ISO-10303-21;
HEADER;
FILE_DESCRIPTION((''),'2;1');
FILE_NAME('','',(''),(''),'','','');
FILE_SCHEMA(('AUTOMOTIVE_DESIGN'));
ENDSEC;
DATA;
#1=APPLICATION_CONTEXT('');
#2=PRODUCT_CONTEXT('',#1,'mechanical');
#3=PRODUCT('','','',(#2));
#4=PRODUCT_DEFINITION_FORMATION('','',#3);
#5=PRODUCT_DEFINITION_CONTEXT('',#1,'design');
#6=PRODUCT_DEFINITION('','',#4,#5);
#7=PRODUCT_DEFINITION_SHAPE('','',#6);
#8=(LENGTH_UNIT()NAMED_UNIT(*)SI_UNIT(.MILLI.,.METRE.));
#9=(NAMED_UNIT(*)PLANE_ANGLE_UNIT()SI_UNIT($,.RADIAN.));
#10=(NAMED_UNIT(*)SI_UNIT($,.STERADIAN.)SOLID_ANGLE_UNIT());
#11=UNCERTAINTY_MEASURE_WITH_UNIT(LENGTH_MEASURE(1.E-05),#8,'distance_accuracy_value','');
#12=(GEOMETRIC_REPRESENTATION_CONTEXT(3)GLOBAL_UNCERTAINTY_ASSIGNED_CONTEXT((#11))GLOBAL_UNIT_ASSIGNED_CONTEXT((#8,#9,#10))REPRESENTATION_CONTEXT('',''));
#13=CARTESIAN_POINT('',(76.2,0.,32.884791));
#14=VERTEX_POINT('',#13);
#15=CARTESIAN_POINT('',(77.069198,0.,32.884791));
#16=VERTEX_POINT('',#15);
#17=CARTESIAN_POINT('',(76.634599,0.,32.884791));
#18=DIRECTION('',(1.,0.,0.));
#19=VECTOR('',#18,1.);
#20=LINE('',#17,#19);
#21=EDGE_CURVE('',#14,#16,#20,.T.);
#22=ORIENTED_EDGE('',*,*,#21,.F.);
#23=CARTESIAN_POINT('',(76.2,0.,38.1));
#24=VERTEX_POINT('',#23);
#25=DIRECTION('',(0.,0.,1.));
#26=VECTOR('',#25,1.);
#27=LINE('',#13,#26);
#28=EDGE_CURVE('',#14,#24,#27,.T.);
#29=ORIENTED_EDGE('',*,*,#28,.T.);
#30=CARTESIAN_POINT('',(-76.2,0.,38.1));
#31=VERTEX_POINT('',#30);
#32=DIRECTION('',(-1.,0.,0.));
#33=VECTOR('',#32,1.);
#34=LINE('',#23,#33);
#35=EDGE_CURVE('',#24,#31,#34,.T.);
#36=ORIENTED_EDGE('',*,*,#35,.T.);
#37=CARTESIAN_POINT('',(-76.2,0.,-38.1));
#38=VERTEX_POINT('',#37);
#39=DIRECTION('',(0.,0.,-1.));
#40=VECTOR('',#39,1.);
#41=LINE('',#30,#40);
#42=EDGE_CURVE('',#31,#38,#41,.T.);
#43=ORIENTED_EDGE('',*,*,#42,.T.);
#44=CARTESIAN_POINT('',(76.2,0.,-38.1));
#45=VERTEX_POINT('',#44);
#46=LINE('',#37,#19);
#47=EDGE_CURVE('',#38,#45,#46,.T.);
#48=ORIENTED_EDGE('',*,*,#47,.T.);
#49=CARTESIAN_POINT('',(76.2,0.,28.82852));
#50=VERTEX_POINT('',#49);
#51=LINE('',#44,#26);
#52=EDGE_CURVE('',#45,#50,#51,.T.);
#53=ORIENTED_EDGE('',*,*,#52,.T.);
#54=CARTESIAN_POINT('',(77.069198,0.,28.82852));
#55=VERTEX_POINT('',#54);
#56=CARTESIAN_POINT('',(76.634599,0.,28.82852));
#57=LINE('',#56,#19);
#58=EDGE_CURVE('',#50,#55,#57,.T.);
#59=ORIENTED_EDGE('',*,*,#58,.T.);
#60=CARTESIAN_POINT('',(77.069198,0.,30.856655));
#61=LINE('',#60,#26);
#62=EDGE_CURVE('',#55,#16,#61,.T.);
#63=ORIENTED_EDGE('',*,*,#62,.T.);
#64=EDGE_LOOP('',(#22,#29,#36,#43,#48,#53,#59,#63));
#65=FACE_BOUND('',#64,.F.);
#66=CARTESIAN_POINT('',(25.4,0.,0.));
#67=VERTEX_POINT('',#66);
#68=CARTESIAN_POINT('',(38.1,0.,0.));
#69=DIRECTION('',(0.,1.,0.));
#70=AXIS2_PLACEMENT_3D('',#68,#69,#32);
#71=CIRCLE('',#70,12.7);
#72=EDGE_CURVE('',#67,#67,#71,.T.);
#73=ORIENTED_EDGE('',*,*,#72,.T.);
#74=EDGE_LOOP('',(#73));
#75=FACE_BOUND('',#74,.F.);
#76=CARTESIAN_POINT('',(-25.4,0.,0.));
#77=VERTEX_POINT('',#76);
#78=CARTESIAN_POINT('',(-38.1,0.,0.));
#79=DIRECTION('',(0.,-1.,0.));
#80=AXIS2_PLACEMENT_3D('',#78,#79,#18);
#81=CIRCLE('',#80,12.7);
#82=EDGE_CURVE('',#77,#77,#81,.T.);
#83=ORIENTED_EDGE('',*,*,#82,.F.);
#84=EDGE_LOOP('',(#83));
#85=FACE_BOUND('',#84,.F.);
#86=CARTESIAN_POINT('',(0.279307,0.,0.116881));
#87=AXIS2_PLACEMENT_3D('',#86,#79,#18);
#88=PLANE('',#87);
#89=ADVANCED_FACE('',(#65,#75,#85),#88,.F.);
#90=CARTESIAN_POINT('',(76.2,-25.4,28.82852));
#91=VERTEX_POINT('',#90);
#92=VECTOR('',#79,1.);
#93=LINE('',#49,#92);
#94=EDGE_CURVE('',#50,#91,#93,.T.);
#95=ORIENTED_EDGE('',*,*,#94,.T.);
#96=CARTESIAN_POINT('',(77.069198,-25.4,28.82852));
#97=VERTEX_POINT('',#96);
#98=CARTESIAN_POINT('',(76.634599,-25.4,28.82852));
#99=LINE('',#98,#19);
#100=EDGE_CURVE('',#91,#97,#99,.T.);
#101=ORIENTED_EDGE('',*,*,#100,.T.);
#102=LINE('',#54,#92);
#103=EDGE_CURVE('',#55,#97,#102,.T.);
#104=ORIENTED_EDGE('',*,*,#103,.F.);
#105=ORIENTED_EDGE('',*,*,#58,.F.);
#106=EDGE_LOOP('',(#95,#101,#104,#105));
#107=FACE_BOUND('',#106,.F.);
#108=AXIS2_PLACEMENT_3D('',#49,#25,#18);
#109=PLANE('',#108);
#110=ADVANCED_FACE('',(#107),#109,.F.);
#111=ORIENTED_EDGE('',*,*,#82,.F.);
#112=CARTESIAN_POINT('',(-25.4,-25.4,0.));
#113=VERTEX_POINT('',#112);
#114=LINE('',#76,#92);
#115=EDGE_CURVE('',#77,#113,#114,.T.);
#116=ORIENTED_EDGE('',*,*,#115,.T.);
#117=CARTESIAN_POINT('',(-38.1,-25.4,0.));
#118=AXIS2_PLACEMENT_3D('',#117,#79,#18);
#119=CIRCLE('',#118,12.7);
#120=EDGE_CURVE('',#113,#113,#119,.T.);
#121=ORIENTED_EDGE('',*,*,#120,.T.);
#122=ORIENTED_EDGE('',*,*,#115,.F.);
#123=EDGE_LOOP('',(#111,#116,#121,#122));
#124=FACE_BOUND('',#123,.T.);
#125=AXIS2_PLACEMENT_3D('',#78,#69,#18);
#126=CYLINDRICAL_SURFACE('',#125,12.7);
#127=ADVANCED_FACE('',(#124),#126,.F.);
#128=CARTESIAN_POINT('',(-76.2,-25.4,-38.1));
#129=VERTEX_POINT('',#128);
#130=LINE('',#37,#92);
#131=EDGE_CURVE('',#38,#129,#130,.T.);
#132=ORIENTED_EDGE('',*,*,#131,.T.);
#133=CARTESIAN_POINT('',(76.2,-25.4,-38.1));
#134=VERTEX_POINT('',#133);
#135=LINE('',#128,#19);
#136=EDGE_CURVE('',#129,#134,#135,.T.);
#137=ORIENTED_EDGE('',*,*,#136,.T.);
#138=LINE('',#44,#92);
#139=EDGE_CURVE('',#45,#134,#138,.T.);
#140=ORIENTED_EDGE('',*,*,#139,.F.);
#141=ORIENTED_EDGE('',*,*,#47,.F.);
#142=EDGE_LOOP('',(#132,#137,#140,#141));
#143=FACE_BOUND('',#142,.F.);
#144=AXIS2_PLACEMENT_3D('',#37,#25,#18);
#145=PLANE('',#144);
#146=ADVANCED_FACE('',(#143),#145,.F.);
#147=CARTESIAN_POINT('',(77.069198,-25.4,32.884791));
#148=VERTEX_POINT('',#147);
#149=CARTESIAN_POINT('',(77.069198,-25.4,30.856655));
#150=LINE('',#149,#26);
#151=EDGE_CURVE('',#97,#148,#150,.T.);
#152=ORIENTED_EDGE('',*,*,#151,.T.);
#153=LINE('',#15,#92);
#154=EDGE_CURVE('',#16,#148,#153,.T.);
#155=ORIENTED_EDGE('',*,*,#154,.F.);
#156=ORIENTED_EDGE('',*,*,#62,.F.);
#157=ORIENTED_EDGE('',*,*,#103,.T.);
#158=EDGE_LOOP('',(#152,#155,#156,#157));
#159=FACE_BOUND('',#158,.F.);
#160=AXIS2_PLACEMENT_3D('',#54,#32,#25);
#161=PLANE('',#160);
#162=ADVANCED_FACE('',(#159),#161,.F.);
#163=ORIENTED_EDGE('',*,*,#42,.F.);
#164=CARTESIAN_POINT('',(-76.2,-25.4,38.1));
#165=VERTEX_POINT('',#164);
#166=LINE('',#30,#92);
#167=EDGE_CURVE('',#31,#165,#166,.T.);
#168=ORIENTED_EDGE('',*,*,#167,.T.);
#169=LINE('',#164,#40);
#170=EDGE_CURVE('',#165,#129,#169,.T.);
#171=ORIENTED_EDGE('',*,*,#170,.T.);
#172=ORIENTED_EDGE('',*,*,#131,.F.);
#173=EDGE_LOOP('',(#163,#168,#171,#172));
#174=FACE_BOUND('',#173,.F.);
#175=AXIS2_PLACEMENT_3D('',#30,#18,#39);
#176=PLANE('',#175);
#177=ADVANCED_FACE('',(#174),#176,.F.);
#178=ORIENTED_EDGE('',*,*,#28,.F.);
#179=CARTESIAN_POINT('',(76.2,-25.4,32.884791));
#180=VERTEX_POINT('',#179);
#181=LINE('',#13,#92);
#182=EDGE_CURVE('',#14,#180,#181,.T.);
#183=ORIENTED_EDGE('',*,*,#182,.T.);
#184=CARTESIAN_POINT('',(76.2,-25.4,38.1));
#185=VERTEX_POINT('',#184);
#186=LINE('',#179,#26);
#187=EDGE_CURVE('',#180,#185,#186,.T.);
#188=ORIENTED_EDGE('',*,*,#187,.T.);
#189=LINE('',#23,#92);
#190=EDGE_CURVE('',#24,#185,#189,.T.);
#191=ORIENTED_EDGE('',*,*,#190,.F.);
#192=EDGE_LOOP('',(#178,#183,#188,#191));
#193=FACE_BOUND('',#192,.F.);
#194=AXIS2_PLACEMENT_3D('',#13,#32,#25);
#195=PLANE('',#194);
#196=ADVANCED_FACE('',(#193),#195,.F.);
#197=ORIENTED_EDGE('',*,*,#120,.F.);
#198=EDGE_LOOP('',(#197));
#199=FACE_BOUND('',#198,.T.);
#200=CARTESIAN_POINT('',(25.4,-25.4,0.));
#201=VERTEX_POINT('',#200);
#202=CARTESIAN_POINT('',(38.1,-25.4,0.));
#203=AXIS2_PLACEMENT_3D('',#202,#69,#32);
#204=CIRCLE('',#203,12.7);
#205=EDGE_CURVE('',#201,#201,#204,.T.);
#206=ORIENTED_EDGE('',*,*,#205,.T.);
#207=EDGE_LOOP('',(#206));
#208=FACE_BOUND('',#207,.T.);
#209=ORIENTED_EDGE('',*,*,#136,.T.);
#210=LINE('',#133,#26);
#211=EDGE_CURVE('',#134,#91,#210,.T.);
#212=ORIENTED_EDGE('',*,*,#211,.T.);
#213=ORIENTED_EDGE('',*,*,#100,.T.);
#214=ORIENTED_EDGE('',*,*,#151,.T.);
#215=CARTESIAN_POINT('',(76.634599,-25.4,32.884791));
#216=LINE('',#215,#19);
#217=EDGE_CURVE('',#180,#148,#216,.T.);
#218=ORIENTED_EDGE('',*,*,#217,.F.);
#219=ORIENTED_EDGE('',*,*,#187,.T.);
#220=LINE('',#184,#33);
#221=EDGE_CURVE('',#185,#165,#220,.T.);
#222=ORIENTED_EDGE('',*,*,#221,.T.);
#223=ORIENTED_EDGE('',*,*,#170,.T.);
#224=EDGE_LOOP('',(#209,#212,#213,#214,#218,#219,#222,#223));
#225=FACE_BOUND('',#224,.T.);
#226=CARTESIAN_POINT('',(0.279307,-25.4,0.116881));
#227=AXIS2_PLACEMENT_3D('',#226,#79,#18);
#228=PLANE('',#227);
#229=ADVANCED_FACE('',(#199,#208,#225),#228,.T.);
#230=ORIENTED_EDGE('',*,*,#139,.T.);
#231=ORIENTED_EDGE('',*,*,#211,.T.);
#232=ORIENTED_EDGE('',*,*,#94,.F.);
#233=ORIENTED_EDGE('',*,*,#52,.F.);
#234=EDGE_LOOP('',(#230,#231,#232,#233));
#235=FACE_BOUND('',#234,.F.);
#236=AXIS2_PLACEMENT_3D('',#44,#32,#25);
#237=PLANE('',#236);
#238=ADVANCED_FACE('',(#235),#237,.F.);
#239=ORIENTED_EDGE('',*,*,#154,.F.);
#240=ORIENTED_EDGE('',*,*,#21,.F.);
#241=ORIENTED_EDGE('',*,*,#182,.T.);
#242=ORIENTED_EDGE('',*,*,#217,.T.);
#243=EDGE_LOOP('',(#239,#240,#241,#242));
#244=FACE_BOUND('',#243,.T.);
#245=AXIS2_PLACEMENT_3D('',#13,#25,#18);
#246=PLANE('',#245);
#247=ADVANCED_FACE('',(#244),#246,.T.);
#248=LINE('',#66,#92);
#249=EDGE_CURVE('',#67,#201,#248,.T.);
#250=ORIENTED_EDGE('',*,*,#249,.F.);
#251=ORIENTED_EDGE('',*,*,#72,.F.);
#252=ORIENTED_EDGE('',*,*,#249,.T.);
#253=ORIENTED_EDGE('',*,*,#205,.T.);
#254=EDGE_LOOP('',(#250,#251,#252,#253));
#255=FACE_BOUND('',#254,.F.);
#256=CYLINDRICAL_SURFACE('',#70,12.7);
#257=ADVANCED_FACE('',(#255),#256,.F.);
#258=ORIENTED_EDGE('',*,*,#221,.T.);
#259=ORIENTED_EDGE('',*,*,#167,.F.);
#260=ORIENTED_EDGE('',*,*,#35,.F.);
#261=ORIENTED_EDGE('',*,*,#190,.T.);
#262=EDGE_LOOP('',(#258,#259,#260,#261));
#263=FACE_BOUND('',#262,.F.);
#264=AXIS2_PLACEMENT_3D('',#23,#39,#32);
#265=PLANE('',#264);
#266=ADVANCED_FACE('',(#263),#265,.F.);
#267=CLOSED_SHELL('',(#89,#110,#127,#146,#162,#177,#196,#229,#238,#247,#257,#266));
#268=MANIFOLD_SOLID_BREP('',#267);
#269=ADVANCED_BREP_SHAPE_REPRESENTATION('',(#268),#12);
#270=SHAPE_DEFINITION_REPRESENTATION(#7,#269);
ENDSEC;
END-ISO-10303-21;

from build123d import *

# Parameters (mm, degrees)
F0_R     = 12.7
F0_W     = 0.8691977903
F0_H     = 4.0562712206
F1_DEPTH = 25.4


with BuildPart() as f1:
    # F0 (on Front) → F1 (new body)
    with BuildSketch(Plane.XZ):
        Polygon((76.2, 32.8847909593), (76.2, 38.1), (-76.2, 38.1), (-76.2, -38.1), (76.2, -38.1), (76.2, 28.8285197387), (75.3308022097, 28.8285197387), (75.3308022097, 32.8847909593), align=None)
        with Locations((-38.1, 0)):
            Circle(F0_R, mode=Mode.SUBTRACT)
        with BuildLine():
            ThreePointArc((50.8, 0), (38.1, -12.7), (25.4, 0))
            ThreePointArc((25.4, 0), (38.1, 12.7), (50.8, 0))
        make_face(mode=Mode.SUBTRACT)
        with Locations((76.6345988951, 30.856655349)):
            Rectangle(F0_W, F0_H)
        with Locations((75.7654011049, 30.856655349)):
            Rectangle(F0_W, F0_H)
    extrude(amount=F1_DEPTH)


solid = f1.part
